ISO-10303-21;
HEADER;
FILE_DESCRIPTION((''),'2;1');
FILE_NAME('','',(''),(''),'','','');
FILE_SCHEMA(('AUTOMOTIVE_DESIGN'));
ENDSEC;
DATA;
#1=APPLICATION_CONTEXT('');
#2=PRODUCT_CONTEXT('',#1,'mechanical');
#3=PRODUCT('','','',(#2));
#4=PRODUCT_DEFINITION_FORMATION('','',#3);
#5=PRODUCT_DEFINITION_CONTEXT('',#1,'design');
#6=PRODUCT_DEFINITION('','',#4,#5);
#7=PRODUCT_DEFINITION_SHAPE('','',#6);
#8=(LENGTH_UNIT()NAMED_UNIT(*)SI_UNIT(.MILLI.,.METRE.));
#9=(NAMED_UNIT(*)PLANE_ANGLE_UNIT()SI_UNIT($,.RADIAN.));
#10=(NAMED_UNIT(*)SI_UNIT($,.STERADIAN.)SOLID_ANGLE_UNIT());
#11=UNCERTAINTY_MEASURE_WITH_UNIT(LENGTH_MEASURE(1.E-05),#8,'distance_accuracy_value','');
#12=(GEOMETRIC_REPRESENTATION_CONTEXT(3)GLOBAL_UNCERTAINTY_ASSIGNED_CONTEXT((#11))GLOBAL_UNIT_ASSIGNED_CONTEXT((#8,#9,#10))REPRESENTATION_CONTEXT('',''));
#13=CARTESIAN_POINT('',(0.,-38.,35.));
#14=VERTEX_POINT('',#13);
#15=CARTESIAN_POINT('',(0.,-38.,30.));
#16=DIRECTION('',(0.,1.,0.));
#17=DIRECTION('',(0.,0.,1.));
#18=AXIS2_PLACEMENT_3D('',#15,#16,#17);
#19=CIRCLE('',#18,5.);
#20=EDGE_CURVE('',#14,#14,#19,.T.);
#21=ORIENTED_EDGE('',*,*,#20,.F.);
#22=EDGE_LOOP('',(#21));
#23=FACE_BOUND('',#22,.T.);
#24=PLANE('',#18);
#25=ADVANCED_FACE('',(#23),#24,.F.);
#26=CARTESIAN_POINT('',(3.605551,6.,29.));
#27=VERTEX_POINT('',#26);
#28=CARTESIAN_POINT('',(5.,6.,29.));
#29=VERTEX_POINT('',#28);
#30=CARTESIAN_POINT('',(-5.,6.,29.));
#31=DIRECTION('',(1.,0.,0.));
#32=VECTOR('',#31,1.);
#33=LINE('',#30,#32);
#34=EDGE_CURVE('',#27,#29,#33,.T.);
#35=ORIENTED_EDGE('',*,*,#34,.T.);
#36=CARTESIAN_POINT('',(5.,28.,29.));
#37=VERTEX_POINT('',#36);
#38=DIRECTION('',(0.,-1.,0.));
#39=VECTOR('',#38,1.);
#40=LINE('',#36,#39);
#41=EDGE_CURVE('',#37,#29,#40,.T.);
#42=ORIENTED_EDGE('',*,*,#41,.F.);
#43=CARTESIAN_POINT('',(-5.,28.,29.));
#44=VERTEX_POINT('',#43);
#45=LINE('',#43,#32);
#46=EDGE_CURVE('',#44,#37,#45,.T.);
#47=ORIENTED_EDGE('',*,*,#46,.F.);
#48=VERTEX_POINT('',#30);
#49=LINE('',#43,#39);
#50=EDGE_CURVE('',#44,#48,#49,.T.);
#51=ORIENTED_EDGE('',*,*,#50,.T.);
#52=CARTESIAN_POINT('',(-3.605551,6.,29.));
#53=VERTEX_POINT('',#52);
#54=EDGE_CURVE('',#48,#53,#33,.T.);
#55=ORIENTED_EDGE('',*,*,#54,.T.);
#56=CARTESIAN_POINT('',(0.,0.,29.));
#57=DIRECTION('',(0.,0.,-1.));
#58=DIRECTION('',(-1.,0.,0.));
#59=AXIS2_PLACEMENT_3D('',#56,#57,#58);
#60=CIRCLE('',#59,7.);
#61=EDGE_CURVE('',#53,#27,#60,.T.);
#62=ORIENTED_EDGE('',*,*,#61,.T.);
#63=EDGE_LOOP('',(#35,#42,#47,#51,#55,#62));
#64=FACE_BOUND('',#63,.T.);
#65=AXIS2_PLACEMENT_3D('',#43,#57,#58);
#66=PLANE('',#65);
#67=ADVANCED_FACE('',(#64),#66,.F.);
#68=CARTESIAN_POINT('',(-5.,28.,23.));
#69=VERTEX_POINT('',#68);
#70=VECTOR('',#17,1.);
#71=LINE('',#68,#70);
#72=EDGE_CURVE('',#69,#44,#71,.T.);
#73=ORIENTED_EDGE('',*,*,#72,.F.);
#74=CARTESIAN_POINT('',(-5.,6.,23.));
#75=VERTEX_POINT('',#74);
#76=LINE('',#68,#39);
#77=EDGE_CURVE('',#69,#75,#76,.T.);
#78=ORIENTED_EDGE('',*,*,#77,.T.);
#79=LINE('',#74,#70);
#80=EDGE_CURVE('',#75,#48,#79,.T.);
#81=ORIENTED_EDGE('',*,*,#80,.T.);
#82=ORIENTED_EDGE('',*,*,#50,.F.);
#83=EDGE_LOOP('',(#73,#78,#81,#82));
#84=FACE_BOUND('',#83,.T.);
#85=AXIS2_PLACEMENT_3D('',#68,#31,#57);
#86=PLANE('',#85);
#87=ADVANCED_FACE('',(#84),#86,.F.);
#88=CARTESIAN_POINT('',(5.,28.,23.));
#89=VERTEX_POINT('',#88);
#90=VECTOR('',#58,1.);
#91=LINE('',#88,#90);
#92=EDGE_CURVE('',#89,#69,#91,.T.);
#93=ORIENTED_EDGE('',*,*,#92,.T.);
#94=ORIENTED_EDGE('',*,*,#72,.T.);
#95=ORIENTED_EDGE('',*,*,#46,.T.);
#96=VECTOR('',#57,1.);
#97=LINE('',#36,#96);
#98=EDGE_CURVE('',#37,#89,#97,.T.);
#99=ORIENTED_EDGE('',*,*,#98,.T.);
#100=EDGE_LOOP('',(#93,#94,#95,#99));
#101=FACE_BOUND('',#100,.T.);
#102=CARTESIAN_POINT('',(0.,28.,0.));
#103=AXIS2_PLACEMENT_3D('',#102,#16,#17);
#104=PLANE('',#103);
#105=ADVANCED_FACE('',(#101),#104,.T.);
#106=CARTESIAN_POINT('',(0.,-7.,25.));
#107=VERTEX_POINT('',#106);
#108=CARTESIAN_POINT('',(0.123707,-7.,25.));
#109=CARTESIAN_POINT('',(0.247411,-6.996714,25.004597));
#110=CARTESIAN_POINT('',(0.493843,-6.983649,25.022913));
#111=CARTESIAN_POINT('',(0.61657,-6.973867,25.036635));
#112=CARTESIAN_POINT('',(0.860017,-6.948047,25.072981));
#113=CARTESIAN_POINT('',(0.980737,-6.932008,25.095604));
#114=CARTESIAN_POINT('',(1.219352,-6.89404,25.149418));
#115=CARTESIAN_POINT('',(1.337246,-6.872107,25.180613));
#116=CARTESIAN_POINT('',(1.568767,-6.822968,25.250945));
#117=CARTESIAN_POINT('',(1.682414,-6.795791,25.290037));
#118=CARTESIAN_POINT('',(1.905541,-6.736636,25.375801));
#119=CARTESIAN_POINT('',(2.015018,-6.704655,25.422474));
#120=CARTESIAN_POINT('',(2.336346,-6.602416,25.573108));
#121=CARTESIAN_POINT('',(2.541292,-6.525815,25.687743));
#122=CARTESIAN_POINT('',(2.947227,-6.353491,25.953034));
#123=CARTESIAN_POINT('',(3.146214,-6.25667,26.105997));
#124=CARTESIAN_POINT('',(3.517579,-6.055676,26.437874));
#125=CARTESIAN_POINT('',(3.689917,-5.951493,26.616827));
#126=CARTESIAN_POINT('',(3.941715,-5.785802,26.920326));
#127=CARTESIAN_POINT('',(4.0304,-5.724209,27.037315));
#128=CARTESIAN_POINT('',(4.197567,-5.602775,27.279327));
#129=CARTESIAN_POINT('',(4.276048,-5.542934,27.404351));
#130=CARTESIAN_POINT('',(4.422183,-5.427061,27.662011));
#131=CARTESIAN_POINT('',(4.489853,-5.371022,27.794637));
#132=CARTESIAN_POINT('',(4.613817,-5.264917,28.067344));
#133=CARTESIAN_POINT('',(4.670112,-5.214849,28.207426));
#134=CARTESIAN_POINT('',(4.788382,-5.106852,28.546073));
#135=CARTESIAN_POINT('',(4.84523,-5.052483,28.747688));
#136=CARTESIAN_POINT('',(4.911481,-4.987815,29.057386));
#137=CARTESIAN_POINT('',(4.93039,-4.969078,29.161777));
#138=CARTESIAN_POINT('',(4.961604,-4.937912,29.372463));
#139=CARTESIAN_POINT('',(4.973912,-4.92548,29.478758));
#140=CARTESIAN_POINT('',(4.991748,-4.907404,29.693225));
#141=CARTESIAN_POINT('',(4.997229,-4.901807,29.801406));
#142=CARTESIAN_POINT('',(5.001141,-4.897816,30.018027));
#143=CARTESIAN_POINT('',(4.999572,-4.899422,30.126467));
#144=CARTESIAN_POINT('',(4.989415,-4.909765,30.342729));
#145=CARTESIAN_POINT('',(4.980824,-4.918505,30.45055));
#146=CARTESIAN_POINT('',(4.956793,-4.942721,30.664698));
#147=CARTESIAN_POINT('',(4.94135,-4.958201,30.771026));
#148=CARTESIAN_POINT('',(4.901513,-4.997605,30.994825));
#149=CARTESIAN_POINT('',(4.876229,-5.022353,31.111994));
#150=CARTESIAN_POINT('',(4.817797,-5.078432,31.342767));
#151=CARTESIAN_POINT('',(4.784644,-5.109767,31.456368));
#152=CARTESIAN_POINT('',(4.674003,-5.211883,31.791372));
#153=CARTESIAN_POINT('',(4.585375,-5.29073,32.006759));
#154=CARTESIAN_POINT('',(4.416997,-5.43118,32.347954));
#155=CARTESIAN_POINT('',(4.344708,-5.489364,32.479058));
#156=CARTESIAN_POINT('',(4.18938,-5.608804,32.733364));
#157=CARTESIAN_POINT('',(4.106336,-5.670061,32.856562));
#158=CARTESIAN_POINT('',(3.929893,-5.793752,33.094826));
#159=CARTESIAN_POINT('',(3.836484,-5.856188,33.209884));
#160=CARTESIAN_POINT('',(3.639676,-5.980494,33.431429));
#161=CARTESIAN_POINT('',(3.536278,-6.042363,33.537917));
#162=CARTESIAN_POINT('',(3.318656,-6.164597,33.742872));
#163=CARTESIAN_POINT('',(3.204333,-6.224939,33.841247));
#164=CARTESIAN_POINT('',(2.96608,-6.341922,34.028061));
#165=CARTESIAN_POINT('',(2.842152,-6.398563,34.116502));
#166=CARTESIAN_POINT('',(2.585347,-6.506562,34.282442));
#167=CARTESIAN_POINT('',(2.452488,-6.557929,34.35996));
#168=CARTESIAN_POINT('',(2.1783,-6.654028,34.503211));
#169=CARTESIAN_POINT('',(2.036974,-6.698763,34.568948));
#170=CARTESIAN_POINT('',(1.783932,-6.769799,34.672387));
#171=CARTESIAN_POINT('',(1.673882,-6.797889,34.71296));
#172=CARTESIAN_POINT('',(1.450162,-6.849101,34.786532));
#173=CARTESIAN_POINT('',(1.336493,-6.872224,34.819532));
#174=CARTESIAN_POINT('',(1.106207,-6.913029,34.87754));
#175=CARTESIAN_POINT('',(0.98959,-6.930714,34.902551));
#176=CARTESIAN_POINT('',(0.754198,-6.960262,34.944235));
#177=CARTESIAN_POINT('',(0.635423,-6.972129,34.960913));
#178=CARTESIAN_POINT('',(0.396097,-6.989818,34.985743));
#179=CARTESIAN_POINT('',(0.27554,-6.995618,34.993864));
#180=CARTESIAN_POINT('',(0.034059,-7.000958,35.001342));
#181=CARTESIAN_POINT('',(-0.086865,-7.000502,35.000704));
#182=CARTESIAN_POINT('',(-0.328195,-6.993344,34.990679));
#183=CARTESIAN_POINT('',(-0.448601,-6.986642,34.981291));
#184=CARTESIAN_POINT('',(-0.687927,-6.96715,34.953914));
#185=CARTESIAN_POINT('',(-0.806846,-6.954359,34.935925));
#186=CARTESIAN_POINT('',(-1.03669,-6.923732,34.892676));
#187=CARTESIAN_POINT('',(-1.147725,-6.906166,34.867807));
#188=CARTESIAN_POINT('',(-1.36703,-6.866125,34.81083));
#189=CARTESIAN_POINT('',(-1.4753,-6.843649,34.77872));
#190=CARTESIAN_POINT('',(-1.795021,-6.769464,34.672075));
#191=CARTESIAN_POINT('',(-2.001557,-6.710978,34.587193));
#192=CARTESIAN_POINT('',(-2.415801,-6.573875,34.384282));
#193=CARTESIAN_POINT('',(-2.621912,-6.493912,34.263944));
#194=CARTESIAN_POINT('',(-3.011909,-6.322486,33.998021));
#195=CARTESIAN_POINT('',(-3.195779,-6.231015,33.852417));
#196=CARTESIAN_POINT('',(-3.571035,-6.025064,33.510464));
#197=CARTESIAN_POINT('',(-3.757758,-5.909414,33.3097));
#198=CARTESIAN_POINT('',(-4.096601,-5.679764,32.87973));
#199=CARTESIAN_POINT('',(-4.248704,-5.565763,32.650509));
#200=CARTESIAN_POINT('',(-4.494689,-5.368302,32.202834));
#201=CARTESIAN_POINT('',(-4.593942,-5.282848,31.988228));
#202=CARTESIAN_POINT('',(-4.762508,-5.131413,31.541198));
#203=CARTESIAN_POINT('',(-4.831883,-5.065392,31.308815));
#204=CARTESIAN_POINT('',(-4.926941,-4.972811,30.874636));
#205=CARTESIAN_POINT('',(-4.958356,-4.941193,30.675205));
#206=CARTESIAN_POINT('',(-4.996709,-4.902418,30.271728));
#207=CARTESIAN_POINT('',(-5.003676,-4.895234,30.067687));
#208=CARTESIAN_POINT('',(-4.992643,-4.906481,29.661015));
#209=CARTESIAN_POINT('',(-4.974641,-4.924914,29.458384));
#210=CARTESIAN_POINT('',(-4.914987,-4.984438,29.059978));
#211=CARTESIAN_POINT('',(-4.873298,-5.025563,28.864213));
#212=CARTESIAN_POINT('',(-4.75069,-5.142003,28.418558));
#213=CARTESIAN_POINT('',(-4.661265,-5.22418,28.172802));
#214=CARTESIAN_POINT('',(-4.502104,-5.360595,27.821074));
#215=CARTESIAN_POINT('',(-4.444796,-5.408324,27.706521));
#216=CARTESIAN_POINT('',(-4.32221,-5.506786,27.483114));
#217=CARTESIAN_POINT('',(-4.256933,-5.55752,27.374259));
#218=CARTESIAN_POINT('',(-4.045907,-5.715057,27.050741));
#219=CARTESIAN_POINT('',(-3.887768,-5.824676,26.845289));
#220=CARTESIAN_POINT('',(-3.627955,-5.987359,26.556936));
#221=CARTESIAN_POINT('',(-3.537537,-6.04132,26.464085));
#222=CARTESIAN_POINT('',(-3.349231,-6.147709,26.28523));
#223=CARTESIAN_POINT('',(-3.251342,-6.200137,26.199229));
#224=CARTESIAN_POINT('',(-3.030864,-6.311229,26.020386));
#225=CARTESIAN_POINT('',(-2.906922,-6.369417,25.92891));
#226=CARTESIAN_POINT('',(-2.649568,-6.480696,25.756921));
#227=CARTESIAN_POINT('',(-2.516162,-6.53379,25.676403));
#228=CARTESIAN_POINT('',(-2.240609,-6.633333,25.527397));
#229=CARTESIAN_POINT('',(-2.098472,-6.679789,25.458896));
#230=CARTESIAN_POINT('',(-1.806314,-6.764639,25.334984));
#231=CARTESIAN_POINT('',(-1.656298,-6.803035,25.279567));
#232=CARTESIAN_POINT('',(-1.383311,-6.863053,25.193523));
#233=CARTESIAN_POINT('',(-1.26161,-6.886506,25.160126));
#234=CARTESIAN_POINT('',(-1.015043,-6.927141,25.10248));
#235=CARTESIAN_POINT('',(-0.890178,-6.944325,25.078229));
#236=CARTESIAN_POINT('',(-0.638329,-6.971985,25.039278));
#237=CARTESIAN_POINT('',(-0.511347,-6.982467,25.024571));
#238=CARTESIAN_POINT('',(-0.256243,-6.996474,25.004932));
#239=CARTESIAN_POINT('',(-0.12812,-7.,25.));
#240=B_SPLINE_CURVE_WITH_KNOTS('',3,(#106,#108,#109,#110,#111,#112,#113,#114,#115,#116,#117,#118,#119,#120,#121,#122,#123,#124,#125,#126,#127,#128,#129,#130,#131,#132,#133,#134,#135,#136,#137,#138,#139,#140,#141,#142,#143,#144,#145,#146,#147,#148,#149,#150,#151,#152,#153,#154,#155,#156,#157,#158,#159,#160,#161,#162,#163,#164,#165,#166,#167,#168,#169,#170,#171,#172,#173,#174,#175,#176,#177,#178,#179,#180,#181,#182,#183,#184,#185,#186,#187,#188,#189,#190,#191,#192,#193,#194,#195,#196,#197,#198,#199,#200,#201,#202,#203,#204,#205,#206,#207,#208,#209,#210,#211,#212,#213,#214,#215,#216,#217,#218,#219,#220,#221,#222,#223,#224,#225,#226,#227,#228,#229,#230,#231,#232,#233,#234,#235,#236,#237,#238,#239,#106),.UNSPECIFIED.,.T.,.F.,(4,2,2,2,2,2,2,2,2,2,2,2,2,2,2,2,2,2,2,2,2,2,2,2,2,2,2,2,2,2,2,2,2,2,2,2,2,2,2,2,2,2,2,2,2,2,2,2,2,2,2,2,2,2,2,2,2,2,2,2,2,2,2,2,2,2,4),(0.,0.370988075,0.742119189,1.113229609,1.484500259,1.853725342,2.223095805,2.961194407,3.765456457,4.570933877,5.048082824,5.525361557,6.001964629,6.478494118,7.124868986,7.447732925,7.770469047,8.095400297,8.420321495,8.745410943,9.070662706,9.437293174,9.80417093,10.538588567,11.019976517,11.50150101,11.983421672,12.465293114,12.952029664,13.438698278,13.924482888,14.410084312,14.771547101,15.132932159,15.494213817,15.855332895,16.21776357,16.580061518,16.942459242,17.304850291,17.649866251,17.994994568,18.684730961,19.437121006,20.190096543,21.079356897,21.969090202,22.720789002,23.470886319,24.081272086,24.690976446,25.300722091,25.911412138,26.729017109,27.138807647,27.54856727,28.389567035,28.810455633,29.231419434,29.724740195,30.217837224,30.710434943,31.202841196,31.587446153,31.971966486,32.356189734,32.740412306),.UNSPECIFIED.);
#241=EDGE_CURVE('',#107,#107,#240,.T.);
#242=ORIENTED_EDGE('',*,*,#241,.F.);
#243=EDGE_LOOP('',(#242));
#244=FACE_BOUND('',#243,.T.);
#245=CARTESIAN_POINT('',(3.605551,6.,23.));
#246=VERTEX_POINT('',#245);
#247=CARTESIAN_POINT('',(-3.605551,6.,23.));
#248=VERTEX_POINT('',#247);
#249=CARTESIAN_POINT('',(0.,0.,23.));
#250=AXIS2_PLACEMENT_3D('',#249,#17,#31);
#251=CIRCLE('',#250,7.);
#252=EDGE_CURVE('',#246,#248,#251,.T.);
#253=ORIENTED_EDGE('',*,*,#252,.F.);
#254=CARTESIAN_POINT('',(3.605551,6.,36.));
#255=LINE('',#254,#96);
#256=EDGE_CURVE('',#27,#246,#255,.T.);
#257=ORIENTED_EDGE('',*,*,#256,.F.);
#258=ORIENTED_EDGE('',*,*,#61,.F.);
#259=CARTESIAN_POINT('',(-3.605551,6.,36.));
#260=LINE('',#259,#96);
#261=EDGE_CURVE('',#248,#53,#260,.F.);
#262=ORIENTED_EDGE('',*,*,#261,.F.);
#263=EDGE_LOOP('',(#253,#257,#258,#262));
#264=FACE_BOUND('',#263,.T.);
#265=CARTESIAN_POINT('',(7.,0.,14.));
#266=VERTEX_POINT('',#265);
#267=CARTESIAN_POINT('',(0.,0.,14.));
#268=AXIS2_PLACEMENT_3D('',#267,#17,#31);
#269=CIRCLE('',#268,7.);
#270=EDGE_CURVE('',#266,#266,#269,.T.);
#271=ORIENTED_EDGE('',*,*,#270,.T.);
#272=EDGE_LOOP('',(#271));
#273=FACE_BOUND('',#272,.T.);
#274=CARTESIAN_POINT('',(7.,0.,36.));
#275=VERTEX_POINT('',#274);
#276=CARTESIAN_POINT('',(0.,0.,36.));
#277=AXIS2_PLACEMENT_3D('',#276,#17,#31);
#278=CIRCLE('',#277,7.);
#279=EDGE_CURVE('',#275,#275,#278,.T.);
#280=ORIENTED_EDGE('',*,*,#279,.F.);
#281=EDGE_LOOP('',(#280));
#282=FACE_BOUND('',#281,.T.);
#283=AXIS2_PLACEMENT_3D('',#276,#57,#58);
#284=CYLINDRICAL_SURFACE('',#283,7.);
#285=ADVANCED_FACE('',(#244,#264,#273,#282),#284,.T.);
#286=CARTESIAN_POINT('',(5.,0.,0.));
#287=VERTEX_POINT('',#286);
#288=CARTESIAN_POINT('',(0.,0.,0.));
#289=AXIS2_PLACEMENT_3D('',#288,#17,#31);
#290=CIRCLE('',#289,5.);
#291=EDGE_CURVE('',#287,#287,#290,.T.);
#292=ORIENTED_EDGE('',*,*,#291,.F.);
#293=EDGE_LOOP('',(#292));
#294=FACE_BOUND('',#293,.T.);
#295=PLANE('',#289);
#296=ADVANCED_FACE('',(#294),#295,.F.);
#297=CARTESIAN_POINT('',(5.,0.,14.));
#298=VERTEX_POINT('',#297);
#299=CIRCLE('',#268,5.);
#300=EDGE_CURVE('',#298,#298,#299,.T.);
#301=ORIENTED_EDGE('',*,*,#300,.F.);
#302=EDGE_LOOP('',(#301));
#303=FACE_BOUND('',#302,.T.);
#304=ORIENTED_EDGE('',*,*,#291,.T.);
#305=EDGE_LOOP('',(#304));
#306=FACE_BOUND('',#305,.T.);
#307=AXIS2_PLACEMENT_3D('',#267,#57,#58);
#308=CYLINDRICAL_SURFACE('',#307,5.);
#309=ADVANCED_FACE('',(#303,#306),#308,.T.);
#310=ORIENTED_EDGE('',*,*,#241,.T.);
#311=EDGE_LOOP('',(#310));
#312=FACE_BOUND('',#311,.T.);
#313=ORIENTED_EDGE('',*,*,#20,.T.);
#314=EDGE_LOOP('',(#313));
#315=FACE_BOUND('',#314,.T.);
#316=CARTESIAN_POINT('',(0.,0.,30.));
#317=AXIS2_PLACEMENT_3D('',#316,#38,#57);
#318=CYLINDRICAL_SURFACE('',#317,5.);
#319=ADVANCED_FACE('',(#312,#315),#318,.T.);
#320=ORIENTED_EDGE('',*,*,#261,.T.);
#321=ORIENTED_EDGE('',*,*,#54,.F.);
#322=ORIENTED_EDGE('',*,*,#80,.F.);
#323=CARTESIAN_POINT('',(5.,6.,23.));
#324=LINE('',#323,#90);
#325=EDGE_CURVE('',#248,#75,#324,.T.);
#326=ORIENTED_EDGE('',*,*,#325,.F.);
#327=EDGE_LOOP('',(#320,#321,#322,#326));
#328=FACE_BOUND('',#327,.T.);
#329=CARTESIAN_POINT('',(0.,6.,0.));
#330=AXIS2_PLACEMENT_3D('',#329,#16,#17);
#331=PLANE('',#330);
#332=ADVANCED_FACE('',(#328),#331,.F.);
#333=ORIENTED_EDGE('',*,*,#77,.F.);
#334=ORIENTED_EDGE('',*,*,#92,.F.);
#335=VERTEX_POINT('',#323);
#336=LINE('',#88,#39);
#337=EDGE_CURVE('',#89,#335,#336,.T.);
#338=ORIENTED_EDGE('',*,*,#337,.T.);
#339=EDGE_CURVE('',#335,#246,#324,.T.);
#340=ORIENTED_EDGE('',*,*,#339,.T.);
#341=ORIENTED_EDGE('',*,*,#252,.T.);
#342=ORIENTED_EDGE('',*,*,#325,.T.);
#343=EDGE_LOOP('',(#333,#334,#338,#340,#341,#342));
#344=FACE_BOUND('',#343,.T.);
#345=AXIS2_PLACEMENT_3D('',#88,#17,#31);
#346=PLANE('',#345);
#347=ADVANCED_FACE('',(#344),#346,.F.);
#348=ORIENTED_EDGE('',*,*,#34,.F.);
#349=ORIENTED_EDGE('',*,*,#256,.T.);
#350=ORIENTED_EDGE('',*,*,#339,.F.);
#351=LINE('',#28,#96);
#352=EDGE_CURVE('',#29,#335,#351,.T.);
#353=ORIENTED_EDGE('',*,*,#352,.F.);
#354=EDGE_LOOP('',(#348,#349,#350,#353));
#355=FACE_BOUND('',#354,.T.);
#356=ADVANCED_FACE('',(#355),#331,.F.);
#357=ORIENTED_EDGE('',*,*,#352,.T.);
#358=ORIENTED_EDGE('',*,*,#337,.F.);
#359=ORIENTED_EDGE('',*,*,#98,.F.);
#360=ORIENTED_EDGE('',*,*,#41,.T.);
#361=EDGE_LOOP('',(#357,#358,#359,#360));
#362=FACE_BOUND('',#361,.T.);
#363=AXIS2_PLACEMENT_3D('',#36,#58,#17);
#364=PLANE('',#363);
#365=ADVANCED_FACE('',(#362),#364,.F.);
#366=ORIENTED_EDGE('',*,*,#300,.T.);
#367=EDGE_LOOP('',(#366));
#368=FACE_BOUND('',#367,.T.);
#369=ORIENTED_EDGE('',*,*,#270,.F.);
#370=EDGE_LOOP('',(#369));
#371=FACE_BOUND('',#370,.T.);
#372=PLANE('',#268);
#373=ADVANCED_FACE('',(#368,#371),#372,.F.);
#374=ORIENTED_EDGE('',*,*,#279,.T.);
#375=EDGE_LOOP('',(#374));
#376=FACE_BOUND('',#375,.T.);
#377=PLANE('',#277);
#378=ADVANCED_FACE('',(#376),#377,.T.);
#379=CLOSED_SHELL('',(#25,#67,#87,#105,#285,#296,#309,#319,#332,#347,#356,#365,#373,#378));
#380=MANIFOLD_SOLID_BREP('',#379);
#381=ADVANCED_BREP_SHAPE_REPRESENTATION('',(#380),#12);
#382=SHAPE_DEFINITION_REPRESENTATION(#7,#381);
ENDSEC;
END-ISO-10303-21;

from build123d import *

# Parameters (mm, degrees)
SKETCH1_R    = 5
SPIGOT_DEPTH = 14
BODY_START   = 14
SKETCH2_R    = 7
BODY_DEPTH   = 22
SPOUT_START  = -38
SKETCH3_R    = 5
SPOUT_DEPTH  = 38
LEVER_START  = 6
SKETCH4_W    = 10
SKETCH4_H    = 6
LEVER_DEPTH  = 22


with BuildPart() as part:
    # Sketch1 → Spigot (new body)
    with BuildSketch(Plane.XY):
        Circle(SKETCH1_R)
    extrude(amount=SPIGOT_DEPTH)

    # Sketch2 → Body (add)
    with BuildSketch(Plane.XY.offset(BODY_START)):
        Circle(SKETCH2_R)
    extrude(amount=BODY_DEPTH)

    # Sketch3 → Spout (add)
    with BuildSketch(Plane(origin=(0, 0, 0), x_dir=(1, 0, 0), z_dir=(0, 1, 0)).offset(SPOUT_START)):
        with Locations(Location((0, -30, 0), (0, 0, 90))):
            Circle(SKETCH3_R)
    extrude(amount=SPOUT_DEPTH)

    # Sketch4 → Lever (add)
    with BuildSketch(Plane(origin=(0, 0, 0), x_dir=(1, 0, 0), z_dir=(0, 1, 0)).offset(LEVER_START)):
        with Locations((0, -26)):
            Rectangle(SKETCH4_W, SKETCH4_H)
    extrude(amount=LEVER_DEPTH)


solid = part.part
